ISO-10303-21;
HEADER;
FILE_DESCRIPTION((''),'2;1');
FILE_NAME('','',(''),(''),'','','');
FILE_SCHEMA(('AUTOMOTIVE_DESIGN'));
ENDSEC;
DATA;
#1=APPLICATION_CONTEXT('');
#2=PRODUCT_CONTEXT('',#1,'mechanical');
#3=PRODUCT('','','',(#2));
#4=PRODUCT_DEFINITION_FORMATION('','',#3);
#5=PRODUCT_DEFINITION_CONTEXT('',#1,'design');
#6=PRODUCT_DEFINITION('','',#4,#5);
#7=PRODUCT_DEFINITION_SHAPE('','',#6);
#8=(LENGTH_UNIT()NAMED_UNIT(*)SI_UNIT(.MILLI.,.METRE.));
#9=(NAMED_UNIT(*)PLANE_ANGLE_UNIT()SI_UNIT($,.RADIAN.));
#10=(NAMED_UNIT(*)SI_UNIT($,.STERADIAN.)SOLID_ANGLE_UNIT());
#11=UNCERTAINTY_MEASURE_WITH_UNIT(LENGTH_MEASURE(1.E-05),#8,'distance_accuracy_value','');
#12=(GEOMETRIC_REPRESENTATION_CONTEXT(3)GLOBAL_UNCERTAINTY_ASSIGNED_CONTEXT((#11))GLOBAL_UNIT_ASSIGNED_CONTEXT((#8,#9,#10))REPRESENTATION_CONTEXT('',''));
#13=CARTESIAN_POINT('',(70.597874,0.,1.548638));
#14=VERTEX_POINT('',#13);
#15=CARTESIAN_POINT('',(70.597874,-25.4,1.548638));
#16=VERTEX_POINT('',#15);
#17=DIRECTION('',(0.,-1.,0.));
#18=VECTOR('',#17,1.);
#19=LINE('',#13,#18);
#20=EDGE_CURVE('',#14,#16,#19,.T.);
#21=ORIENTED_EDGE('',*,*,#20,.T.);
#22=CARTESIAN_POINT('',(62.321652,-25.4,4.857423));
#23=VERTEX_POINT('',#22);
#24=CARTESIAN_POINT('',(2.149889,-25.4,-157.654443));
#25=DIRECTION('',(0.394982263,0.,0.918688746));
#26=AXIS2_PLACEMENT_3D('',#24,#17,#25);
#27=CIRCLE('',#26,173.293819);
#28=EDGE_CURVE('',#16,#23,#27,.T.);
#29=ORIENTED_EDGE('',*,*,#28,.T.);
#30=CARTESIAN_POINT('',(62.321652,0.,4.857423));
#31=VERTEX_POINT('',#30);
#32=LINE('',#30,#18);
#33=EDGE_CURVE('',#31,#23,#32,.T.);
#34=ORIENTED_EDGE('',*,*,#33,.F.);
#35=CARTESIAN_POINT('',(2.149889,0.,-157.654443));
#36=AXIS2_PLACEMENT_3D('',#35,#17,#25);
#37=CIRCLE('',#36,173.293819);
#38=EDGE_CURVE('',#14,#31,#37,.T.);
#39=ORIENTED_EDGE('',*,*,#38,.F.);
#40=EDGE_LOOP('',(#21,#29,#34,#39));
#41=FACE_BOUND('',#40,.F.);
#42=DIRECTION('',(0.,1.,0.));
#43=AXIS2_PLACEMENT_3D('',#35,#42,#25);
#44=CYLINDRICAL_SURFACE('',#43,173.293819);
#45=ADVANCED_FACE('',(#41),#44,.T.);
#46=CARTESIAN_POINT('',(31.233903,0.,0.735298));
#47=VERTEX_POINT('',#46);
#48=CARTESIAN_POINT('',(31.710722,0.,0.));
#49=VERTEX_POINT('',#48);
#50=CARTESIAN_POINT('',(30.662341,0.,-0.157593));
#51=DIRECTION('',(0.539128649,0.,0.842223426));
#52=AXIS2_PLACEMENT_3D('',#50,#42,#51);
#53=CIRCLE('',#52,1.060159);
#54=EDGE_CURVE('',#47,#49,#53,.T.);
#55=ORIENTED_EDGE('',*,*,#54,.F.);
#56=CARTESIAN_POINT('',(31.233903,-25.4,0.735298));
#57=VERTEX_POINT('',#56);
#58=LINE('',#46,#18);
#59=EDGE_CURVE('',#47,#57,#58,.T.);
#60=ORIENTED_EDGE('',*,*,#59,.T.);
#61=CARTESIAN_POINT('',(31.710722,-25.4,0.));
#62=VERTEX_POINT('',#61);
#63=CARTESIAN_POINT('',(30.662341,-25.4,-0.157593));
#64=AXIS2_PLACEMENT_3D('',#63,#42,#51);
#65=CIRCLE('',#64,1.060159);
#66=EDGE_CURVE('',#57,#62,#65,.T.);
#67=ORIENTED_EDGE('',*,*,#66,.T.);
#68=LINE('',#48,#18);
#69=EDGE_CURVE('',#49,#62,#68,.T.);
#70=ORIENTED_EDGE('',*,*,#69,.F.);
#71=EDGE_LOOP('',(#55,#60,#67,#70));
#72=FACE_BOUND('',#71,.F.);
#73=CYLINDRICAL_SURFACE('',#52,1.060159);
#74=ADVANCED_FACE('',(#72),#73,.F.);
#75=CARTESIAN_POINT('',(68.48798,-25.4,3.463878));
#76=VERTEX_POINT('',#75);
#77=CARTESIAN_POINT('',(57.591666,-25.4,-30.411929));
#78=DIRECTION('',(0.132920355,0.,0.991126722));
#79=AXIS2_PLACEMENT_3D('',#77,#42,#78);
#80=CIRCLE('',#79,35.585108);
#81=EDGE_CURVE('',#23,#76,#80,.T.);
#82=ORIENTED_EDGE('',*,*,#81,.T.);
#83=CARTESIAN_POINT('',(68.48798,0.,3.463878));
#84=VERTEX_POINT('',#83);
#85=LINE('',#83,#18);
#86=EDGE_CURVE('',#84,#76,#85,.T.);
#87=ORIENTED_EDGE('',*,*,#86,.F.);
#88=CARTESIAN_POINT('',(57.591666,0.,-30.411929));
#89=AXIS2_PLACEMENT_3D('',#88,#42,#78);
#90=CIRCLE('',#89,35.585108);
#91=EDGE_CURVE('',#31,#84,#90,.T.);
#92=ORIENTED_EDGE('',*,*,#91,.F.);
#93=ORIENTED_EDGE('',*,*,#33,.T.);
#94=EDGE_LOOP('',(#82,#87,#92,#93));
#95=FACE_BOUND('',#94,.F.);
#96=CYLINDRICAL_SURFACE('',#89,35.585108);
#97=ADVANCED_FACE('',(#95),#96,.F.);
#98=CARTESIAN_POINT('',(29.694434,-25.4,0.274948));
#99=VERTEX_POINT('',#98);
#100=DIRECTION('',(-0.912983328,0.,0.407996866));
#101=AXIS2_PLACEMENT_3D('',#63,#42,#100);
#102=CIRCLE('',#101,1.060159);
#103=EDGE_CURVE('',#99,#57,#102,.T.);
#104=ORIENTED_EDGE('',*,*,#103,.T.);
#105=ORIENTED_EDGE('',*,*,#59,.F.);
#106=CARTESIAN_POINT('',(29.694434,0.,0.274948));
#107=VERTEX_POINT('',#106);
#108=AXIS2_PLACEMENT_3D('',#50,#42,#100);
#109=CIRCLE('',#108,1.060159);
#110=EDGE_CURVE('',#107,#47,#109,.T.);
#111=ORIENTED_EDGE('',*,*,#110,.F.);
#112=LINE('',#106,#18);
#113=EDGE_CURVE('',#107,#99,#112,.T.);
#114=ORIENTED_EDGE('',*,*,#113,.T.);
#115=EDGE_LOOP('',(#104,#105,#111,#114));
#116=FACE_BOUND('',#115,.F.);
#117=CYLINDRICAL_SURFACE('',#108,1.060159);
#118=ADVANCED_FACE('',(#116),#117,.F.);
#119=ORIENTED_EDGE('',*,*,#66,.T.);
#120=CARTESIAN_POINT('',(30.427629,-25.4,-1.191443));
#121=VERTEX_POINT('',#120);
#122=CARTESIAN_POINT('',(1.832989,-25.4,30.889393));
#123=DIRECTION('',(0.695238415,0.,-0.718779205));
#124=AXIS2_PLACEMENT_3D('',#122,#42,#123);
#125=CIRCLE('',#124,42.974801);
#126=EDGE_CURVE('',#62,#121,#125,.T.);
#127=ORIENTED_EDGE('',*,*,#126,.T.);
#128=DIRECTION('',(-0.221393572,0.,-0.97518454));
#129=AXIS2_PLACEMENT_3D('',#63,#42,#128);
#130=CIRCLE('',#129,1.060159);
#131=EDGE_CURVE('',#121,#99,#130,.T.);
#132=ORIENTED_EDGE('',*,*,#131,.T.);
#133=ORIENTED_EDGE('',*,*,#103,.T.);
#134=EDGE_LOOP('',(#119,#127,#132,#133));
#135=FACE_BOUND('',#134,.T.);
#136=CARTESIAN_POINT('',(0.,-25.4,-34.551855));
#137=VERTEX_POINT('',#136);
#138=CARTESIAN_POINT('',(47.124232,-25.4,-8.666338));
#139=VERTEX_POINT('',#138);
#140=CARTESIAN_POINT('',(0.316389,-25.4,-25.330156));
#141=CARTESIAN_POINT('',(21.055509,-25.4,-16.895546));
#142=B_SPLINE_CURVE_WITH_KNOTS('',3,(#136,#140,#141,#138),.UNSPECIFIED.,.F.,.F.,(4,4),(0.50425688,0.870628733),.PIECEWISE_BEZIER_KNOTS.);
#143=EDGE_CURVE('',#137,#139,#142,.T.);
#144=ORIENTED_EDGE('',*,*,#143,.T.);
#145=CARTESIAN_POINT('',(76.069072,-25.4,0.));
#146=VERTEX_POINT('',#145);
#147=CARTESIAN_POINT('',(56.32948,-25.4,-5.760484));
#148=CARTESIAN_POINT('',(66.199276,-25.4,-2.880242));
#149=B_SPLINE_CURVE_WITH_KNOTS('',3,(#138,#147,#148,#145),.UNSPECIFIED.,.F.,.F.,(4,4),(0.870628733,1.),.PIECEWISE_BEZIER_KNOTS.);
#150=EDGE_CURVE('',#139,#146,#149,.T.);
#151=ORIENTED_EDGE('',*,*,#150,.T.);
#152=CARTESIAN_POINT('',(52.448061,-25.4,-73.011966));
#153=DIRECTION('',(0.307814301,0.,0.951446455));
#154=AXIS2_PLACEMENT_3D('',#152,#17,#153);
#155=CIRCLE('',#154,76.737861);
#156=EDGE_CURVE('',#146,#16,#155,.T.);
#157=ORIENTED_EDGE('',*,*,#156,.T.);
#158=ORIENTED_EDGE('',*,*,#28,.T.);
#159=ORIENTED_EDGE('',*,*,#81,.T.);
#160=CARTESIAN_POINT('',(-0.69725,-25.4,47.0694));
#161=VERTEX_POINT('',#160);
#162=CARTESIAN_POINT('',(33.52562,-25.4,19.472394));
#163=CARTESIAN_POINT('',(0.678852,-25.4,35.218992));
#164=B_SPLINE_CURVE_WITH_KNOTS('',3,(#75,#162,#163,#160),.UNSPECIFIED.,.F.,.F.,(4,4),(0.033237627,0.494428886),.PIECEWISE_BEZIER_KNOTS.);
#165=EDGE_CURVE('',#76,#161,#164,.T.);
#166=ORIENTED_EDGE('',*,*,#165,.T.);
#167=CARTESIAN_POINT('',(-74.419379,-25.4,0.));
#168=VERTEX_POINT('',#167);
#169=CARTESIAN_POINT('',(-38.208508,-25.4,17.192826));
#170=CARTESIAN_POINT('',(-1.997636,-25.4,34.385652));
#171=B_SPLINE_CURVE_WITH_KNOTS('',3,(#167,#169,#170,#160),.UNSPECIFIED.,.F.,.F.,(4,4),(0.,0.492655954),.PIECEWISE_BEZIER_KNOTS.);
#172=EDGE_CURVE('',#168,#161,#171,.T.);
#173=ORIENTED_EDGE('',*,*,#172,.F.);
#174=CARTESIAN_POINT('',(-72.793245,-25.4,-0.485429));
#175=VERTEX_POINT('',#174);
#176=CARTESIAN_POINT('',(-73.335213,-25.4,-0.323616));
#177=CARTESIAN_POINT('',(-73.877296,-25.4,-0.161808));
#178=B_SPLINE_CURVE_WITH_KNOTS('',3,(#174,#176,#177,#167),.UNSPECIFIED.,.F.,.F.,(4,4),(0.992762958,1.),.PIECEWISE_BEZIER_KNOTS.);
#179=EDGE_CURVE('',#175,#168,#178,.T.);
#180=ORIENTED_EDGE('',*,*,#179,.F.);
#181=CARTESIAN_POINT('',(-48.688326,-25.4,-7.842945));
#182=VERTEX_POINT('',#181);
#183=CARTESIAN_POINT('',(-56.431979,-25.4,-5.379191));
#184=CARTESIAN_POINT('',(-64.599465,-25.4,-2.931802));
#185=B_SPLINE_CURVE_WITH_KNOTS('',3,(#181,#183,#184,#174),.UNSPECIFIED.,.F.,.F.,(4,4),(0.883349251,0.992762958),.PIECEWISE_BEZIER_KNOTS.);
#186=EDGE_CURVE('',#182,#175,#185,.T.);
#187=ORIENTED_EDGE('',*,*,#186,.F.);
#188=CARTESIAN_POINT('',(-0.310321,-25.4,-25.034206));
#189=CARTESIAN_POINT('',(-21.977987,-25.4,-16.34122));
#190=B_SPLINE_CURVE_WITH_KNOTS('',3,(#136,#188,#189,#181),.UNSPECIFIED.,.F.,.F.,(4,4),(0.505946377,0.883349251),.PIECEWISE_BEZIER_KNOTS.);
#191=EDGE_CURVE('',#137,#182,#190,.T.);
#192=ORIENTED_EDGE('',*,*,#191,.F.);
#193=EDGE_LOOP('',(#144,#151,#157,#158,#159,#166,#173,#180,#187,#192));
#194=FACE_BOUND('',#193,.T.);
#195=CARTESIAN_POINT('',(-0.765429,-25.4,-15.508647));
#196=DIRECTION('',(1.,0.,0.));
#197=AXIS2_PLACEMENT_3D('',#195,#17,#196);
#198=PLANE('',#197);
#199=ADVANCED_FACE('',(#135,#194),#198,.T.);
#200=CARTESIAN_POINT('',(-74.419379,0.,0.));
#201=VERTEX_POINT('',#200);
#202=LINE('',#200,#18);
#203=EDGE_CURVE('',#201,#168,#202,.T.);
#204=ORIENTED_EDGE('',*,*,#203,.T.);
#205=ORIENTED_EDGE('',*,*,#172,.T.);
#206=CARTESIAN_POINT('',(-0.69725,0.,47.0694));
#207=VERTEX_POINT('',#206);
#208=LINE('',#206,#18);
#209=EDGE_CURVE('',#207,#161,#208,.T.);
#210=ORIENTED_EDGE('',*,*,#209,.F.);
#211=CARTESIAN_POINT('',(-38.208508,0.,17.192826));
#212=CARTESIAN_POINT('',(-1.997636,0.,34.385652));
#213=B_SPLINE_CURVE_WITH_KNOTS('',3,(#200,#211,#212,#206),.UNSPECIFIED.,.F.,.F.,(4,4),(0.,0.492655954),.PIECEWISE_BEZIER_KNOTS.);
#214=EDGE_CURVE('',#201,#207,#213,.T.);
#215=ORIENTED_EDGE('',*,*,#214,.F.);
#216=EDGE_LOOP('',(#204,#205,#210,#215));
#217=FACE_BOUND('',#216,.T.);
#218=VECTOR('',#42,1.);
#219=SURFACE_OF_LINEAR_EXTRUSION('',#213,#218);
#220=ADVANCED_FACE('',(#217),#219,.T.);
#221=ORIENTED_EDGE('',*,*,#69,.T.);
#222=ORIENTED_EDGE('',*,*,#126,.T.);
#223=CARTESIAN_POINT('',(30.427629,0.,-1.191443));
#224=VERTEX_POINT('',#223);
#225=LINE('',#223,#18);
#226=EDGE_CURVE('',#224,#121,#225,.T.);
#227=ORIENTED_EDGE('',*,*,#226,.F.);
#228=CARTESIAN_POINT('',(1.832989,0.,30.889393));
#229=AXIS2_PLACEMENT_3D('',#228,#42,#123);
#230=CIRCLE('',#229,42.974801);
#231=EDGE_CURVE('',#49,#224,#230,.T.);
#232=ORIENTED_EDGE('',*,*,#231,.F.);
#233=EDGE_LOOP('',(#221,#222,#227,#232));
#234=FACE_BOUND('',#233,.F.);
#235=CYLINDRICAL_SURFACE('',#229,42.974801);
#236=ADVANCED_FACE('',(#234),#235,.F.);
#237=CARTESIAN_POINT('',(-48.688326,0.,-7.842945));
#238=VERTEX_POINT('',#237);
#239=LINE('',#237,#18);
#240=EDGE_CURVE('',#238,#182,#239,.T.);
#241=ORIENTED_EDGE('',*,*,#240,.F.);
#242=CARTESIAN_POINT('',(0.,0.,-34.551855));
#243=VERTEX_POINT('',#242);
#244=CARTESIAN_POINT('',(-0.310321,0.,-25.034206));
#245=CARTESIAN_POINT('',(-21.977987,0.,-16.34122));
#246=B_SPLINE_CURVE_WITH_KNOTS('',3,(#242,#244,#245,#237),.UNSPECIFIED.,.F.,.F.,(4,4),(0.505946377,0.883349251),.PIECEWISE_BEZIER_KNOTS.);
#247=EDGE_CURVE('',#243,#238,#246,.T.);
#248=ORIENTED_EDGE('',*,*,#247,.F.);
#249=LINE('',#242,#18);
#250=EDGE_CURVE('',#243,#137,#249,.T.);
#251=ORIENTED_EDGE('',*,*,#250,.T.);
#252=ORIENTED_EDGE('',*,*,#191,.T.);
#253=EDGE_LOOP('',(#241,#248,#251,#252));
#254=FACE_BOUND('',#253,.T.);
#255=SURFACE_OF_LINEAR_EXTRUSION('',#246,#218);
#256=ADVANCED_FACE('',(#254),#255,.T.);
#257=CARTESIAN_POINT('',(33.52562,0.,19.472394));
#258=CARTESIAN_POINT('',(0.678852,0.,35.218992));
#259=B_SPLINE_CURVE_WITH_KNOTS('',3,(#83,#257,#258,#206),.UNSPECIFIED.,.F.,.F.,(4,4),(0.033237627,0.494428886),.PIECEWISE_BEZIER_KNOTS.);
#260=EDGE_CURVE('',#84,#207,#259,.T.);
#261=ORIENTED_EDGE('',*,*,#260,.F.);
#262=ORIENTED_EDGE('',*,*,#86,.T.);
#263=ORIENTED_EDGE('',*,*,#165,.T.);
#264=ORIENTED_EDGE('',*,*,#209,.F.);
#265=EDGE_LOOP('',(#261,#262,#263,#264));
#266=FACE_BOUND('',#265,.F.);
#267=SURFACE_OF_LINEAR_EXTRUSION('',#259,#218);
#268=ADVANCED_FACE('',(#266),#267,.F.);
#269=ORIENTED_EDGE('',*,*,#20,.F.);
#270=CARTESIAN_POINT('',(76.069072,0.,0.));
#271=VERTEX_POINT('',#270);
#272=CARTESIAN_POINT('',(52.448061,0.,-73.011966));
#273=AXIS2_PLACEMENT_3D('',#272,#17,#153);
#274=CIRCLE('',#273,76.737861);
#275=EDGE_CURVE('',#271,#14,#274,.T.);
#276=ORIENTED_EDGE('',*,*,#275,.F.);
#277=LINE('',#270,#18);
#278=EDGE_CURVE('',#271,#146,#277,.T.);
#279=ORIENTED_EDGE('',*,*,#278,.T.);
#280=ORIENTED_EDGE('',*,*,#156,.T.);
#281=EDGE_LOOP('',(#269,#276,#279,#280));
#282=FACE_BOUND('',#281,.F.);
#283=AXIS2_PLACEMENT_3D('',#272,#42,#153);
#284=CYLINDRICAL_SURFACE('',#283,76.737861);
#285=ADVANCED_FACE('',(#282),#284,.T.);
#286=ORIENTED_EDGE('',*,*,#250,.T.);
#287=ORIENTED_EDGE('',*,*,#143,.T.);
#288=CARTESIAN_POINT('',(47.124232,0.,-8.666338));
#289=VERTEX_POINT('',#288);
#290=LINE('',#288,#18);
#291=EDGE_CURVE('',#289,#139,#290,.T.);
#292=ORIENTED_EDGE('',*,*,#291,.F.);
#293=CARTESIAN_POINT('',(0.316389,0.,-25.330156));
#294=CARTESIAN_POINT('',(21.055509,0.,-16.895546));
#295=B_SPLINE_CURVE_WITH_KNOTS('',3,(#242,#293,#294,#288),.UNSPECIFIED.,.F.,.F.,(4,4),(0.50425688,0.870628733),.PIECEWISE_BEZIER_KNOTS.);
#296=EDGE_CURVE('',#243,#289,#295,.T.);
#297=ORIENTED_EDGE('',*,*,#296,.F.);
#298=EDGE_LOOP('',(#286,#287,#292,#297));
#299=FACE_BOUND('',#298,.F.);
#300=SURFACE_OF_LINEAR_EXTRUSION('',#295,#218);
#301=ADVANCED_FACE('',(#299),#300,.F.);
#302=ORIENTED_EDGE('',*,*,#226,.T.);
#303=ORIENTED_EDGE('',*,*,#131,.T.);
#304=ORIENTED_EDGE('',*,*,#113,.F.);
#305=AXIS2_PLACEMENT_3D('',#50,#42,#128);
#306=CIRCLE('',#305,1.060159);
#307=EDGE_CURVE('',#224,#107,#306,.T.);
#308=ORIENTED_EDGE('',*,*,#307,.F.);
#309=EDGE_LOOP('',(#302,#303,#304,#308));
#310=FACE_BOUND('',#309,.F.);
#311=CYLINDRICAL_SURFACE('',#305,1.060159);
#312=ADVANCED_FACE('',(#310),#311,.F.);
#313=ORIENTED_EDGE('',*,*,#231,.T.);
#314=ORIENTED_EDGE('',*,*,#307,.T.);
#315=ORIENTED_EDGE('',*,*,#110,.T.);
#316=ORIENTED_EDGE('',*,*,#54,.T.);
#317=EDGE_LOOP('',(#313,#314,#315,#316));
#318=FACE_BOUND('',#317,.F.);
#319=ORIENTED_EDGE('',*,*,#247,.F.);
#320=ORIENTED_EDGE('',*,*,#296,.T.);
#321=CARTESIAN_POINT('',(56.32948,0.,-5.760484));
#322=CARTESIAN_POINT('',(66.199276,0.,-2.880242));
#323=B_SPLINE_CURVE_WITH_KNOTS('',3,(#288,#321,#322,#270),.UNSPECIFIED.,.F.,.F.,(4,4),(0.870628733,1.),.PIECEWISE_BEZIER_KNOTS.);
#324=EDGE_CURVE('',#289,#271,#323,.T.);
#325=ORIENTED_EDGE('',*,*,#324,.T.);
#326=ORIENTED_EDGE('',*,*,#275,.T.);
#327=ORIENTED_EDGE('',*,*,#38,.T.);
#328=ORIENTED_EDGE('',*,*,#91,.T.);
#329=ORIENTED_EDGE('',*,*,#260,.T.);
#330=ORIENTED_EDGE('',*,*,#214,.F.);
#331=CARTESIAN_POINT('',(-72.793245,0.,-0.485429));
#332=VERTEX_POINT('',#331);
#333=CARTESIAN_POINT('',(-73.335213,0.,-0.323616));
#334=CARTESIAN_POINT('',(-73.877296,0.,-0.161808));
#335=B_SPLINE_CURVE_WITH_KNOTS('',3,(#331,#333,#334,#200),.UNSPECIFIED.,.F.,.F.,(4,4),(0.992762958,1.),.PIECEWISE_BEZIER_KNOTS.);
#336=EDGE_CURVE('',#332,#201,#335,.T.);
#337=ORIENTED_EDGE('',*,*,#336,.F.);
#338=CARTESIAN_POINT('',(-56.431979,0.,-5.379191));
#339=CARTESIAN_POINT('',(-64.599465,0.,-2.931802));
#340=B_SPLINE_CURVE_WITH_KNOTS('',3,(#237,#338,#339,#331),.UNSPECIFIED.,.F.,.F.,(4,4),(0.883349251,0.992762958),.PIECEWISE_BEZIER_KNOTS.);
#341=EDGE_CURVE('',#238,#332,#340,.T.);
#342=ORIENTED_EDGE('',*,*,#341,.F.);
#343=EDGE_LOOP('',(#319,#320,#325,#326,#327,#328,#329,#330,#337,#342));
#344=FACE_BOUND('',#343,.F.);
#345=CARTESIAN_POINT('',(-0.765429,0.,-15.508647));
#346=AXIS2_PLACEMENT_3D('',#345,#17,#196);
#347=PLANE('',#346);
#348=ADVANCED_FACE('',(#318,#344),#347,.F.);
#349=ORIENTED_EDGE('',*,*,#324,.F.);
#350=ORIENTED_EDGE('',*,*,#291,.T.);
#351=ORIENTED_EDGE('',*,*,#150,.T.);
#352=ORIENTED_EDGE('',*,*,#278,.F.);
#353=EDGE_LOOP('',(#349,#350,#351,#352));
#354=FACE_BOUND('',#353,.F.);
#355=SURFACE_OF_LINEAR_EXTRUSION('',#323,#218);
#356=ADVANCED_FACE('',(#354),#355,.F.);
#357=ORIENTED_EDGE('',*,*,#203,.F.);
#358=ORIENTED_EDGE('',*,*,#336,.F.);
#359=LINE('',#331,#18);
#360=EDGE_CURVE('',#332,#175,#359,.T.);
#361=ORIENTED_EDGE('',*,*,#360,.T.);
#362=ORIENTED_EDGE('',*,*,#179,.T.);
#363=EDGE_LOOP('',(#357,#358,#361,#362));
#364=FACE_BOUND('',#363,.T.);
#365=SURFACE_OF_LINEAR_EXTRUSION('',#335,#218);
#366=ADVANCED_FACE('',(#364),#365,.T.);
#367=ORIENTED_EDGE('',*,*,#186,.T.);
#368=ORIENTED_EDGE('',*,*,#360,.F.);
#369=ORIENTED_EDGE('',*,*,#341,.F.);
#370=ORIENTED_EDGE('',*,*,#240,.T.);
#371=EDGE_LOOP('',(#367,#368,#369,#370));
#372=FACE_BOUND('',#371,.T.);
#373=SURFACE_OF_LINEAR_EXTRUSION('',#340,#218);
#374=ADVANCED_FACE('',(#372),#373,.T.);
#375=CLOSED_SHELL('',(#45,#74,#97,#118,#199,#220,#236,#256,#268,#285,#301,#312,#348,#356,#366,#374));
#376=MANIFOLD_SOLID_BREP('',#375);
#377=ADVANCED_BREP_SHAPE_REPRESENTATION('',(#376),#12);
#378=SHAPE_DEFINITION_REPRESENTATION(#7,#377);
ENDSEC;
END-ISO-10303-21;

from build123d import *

# Parameters (mm, degrees)
F1_DEPTH = 25.4


with BuildPart() as f1:
    # F0 (on Front) → F1 (new body)
    with BuildSketch(Plane.XZ):
        with BuildLine():
            ThreePointArc((47.1242318861, -8.6663383223), (-0.8292120713, -13.7429262963), (-48.6883256295, -7.84294475))
            add(Edge.make_bspline(
                [(-5e-10, -34.5518551604), (-0.3103211855, -25.0342064399), (-21.9779874723, -16.341220269), (-48.6883256326, -7.8429447489)],
                knots=[0.5059463774, 0.5059463774, 0.5059463774, 0.5059463774, 0.8833492511, 0.8833492511, 0.8833492511, 0.8833492511], degree=3))
            add(Edge.make_bspline(
                [(6e-10, -34.5518551604), (0.3163893742, -25.3301562157), (21.0555086924, -16.8955462049), (47.1242318898, -8.6663383209)],
                knots=[0.5042568802, 0.5042568802, 0.5042568802, 0.5042568802, 0.870628733, 0.870628733, 0.870628733, 0.870628733], degree=3))
        make_face()
        with BuildLine():
            add(Edge.make_bspline(
                [(-72.7932450034, -0.4854286752), (-73.3352130542, -0.3236161555), (-73.8772961443, -0.1618080778), (-74.4193792343, 0)],
                knots=[0.9927629578, 0.9927629578, 0.9927629578, 0.9927629578, 1, 1, 1, 1], degree=3))
            ThreePointArc((-72.7932450034, -0.4854286752), (-70.5693455773, 0.1174871056), (-68.3298603069, 0.6596511212))
            ThreePointArc((-68.3298603069, 0.6596511212), (-3.4150879341, 15.5499984341), (62.321651727, 4.857422784))
            ThreePointArc((62.321651727, 4.857422784), (65.4358234144, 4.2978554673), (68.487980352, 3.4638777043))
            add(Edge.make_bspline(
                [(68.487980352, 3.4638777043), (33.5256195531, 19.4723942564), (0.6788517072, 35.2189922158), (-0.6972500757, 47.0693999578)],
                knots=[0.0332376272, 0.0332376272, 0.0332376272, 0.0332376272, 0.4944288863, 0.4944288863, 0.4944288863, 0.4944288863], degree=3))
            add(Edge.make_bspline(
                [(-74.4193792343, 0), (-38.2085076896, 17.1928259146), (-1.9976361449, 34.3856518292), (-0.6972500757, 47.0693999578)],
                knots=[0, 0, 0, 0, 0.4926559537, 0.4926559537, 0.4926559537, 0.4926559537], degree=3))
        make_face()
        with BuildLine():
            ThreePointArc((-68.3298603069, 0.6596511212), (-70.5693455773, 0.1174871056), (-72.7932450034, -0.4854286752))
            add(Edge.make_bspline(
                [(-48.6883256295, -7.84294475), (-56.4319791903, -5.379190787), (-64.5994647735, -2.9318020788), (-72.7932450034, -0.4854286752)],
                knots=[0.8833492511, 0.8833492511, 0.8833492511, 0.8833492511, 0.9927629578, 0.9927629578, 0.9927629578, 0.9927629578], degree=3))
            ThreePointArc((-48.6883256295, -7.84294475), (-0.8292120713, -13.7429262963), (47.1242318861, -8.6663383223))
            add(Edge.make_bspline(
                [(47.1242318861, -8.6663383223), (56.3294798486, -5.7604844935), (66.1992758688, -2.8802422468), (76.0690718889, 0)],
                knots=[0.870628733, 0.870628733, 0.870628733, 0.870628733, 1, 1, 1, 1], degree=3))
            ThreePointArc((76.0690718889, 0), (73.3478218066, 0.8250120938), (70.5978740002, 1.5486377067))
            ThreePointArc((70.5978740002, 1.5486377067), (50.8628377879, 3.7095200037), (31.2339033508, 0.7352975062))
            ThreePointArc((31.2339033508, 0.7352975062), (31.5518461592, 0.4192239579), (31.7107215524, 0))
            ThreePointArc((31.7107215524, 0), (31.0752439747, -0.6022570997), (30.4276291281, -1.191443298))
            ThreePointArc((30.4276291281, -1.191443298), (0.9575087047, -12.0764891335), (-28.0447434634, 0))
            ThreePointArc((-28.0447434634, 0), (-48.1474838904, 2.7615239524), (-68.3298603069, 0.6596511212))
        make_face()
        with BuildLine():
            ThreePointArc((62.321651727, 4.857422784), (-3.4150879341, 15.5499984341), (-68.3298603069, 0.6596511212))
            ThreePointArc((-68.3298603069, 0.6596511212), (-48.1474838904, 2.7615239524), (-28.0447434634, 0))
            ThreePointArc((-28.0447434634, 0), (0.9575087047, -12.0764891335), (30.4276291281, -1.191443298))
            ThreePointArc((30.4276291281, -1.191443298), (29.714106445, -0.631709807), (29.6944342554, 0.2749484556))
            ThreePointArc((29.6944342554, 0.2749484556), (30.3586101349, 0.8581253542), (31.2339033508, 0.7352975062))
            ThreePointArc((31.2339033508, 0.7352975062), (50.8628377879, 3.7095200037), (70.5978740002, 1.5486377067))
            ThreePointArc((70.5978740002, 1.5486377067), (66.4810392387, 3.2562485734), (62.321651727, 4.857422784))
        make_face()
    extrude(amount=F1_DEPTH)


solid = f1.part
